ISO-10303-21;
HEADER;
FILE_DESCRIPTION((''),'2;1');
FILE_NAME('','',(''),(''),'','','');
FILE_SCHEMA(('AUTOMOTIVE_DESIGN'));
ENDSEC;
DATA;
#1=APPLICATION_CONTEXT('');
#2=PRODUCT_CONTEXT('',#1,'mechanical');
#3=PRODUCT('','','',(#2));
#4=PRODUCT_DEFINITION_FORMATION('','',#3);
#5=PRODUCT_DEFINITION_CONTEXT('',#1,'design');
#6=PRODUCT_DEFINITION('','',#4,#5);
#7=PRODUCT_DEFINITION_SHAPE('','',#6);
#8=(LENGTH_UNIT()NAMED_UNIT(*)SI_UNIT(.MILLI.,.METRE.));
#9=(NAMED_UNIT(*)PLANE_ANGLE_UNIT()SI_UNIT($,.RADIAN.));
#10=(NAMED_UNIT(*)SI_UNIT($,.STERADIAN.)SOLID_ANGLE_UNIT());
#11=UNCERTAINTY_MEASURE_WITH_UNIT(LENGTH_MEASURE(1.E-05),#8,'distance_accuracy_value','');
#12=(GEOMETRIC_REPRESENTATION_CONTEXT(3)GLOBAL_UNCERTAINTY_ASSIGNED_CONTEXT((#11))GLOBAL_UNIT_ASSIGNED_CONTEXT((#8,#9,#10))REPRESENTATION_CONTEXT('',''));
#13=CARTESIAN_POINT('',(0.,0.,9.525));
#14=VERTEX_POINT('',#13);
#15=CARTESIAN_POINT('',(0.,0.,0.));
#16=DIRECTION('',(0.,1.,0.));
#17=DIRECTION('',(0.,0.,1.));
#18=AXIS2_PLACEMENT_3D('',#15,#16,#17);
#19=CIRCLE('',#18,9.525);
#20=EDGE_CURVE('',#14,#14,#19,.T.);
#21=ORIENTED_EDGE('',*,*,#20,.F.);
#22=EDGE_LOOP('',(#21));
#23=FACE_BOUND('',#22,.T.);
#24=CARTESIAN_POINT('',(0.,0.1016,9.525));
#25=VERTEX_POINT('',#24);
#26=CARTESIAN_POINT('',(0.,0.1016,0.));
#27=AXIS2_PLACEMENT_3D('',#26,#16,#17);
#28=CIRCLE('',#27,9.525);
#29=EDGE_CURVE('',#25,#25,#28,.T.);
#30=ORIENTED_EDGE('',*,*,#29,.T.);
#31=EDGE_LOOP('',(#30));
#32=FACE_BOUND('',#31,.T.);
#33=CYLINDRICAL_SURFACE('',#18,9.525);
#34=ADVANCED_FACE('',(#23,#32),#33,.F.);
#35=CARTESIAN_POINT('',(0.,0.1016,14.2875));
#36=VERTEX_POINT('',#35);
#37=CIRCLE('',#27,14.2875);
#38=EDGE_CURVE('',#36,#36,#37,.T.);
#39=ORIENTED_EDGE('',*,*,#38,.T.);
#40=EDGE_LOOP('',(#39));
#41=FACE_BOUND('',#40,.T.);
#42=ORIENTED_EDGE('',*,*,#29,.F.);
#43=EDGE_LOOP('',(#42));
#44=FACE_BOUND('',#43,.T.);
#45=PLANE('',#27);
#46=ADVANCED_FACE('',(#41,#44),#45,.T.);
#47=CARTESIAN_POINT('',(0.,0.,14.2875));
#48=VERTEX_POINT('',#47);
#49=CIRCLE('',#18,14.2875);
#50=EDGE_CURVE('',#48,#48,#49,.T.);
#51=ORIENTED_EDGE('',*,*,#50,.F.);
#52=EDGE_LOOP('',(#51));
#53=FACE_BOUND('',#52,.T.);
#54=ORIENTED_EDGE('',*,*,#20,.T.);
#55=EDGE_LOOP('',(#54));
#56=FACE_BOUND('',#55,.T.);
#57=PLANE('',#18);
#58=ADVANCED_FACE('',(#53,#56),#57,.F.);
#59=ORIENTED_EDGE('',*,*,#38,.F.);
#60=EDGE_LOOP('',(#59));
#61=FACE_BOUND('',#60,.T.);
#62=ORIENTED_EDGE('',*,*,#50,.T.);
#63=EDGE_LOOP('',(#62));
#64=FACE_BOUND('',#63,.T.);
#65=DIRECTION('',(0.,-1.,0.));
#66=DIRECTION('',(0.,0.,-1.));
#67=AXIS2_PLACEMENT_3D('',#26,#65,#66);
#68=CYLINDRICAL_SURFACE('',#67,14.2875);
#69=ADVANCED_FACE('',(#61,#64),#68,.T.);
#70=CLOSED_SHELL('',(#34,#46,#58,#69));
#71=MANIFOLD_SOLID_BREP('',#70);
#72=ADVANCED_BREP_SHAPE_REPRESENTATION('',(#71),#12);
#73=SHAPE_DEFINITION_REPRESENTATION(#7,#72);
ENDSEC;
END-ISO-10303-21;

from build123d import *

# Parameters (mm, degrees)
SKETCH1_R           = 14.2875
BOSS_EXTRUDE1_DEPTH = 0.1016
SKETCH5_R           = 9.525
CUT_EXTRUDE1_DEPTH  = 1.1016


with BuildPart() as part:
    # Sketch1 → Boss-Extrude1 (new body)
    with BuildSketch(Plane(origin=(0, 0, 0), x_dir=(1, 0, 0), z_dir=(0, 1, 0))):
        Circle(SKETCH1_R)
    extrude(amount=BOSS_EXTRUDE1_DEPTH)

    # Sketch5 → Cut-Extrude1 (cut, through all)
    with BuildSketch(Plane(origin=(0, 0.1016, 0), x_dir=(-1, 0, 0), z_dir=(0, 1, 0))):
        Circle(SKETCH5_R)
    extrude(amount=-CUT_EXTRUDE1_DEPTH, mode=Mode.SUBTRACT)


solid = part.part
